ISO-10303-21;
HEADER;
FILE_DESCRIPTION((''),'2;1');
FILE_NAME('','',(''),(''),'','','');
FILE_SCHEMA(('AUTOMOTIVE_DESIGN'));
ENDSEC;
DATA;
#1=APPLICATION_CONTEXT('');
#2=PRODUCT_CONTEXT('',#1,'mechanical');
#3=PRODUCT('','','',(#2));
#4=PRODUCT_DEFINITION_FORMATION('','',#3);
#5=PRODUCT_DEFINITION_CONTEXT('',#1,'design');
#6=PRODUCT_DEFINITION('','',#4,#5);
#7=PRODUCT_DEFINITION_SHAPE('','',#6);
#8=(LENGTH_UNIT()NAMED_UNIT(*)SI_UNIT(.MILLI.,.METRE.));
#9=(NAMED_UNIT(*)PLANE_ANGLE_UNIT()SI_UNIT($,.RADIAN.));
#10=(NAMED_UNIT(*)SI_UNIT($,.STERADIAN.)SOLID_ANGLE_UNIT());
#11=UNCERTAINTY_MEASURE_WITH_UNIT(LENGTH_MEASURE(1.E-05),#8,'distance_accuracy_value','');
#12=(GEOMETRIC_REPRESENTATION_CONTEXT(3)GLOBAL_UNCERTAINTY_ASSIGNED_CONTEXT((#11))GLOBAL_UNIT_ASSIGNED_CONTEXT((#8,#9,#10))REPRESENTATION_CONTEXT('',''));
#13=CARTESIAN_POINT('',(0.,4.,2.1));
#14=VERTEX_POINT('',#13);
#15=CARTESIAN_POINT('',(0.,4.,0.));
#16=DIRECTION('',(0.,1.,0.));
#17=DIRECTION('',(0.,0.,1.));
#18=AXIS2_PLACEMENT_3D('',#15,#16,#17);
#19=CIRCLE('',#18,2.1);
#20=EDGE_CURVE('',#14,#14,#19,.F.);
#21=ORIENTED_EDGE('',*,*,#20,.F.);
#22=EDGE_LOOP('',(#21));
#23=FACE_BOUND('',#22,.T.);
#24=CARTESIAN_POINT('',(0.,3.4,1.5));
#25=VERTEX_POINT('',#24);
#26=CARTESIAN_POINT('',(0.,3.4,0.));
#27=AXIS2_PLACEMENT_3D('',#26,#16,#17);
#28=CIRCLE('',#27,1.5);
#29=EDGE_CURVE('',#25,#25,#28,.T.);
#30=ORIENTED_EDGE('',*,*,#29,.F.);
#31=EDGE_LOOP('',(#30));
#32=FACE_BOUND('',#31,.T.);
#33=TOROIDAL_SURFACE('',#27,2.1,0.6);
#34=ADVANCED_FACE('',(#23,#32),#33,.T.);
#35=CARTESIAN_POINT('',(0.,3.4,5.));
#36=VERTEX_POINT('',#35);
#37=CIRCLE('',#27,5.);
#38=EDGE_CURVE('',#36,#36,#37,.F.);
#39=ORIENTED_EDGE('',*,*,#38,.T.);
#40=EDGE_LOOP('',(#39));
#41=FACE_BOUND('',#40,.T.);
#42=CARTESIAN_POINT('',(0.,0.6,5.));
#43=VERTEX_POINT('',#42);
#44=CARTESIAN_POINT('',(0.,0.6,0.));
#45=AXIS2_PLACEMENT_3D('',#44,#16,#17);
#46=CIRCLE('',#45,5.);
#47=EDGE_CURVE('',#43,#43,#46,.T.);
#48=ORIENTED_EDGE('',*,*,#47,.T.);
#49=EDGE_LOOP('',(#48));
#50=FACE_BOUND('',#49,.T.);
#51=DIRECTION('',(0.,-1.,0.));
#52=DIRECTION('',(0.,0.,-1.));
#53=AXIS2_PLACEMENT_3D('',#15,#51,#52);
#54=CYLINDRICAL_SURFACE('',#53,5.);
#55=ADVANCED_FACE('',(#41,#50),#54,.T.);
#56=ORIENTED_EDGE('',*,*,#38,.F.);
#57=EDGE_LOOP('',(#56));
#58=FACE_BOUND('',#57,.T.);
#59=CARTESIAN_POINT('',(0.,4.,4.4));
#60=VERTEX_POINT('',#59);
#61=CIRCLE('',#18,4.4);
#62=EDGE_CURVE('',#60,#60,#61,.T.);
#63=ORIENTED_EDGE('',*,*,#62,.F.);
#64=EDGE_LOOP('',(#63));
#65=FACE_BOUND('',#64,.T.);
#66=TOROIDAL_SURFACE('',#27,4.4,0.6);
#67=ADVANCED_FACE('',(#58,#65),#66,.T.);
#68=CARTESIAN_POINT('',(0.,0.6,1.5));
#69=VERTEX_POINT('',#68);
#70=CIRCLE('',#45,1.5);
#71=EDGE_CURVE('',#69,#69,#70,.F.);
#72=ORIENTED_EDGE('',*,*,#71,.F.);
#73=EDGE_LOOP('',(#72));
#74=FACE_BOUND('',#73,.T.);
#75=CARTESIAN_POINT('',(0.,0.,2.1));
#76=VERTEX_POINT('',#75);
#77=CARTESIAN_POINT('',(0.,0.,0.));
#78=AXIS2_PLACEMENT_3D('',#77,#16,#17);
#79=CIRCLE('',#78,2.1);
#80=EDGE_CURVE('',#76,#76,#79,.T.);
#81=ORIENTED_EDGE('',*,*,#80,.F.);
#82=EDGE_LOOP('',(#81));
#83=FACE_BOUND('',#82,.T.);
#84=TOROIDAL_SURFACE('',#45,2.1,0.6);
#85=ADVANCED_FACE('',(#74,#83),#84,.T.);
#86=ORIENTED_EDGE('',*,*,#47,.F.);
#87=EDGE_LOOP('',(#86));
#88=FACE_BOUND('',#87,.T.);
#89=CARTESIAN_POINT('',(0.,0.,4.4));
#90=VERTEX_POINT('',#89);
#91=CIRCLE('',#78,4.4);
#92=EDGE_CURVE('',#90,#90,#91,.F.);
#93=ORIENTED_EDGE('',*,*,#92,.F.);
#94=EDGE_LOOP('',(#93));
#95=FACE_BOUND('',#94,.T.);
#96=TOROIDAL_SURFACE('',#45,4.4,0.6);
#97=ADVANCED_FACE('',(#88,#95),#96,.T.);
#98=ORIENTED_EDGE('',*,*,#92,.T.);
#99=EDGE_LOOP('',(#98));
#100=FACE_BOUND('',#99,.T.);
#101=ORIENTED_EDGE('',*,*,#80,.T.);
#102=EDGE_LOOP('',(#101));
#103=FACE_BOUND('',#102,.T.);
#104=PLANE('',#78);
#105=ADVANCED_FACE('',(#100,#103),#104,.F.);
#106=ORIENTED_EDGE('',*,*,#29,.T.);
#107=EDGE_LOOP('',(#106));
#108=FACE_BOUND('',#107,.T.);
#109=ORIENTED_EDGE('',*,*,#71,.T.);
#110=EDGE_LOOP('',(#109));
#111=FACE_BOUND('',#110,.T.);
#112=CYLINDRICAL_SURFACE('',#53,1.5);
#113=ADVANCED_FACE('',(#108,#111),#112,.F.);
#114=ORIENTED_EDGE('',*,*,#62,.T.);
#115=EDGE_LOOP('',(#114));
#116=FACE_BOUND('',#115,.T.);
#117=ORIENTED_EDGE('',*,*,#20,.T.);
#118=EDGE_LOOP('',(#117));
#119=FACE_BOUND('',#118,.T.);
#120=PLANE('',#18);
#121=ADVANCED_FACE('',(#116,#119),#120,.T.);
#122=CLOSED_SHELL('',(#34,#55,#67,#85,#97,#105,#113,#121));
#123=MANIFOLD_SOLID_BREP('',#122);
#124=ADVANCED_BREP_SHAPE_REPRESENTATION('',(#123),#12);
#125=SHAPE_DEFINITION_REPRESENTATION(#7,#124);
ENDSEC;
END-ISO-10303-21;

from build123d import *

# Parameters (mm, degrees)
SKETCH1_R           = 5
SKETCH1_R_2         = 1.5
BOSS_EXTRUDE1_DEPTH = 4
FILLET1_R           = 0.6


with BuildPart() as part:
    # Sketch1 → Boss-Extrude1 (new body)
    with BuildSketch(Plane(origin=(0, 0, 0), x_dir=(1, 0, 0), z_dir=(0, 1, 0))):
        Circle(SKETCH1_R)
        Circle(SKETCH1_R_2, mode=Mode.SUBTRACT)
    extrude(amount=BOSS_EXTRUDE1_DEPTH)

    # Fillet1
    fillet1_edges = [part.edges().sort_by_distance(p)[0] for p in [
        (-5, 0, 0),
        (-5, 4, 0),
        (-1.5, 0, 0),
        (-1.5, 4, 0),
    ]]
    fillet(fillet1_edges, radius=FILLET1_R)


solid = part.part
